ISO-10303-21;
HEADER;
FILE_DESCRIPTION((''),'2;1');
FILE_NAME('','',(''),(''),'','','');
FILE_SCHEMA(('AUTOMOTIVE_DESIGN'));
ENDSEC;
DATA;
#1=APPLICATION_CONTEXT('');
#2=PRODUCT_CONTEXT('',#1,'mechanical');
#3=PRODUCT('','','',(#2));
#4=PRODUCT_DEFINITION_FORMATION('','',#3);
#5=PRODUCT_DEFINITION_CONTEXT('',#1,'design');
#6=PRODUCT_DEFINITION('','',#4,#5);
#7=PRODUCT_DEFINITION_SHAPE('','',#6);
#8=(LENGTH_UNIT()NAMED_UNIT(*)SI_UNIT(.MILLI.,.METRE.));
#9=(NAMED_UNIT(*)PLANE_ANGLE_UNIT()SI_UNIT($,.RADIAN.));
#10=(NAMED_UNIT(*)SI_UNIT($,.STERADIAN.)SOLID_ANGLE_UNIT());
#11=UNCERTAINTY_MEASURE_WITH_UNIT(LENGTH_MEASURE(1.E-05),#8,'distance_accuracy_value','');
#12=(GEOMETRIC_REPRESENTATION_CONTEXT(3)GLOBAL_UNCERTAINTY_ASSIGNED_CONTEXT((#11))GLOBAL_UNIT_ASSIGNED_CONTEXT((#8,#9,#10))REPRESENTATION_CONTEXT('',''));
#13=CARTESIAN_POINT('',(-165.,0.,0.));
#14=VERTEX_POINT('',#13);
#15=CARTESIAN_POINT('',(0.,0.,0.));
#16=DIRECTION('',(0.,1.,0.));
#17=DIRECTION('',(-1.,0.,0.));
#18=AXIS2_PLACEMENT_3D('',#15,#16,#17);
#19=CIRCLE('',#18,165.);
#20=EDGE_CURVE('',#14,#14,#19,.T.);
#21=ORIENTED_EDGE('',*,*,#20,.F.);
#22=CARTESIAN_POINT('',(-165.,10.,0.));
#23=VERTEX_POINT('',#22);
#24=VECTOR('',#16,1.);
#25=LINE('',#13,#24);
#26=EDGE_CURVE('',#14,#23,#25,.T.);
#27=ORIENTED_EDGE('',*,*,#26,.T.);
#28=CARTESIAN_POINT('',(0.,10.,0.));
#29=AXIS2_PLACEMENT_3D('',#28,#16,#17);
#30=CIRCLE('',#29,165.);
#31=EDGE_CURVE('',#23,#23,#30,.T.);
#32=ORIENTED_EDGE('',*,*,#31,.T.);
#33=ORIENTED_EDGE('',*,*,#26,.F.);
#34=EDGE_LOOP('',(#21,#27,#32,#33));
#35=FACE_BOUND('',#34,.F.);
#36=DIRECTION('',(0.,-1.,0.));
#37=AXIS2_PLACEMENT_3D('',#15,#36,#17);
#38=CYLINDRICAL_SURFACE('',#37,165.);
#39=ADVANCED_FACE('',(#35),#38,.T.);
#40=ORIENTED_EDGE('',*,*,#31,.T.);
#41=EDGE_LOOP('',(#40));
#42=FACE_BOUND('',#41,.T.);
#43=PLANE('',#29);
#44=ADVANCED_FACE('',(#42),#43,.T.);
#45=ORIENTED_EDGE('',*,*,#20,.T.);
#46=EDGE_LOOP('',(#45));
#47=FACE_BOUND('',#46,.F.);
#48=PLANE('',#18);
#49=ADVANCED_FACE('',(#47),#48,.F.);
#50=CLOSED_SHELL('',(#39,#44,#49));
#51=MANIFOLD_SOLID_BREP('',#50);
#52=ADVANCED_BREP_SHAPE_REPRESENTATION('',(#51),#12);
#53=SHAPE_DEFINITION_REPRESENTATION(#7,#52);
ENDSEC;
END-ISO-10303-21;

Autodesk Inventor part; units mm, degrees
ref_plane "YZ Plane" through (0, 0, 0) normal (1, 0, 0) x (0, 1, 0)
ref_plane "XZ Plane" through (0, 0, 0) normal (0, 1, 0) x (-1, 0, 0)
ref_plane "XY Plane" through (0, 0, 0) normal (0, 0, 1) x (1, 0, 0)
sketch "Sketch1" plane through (0, 0, 0) normal (0, 1, 0) x (-1, 0, 0)
  circle A0 centre (0, 0) radius 165
  dimension "d0" = 330
extrude "Extrusion1" add sketch "Sketch1" along normal blind 10
sketch "Sketch2" plane through (0, 10, 0) normal (0, 1, 0) x (1, 0, 0)
  point P0 (0, 0)
sketch "Sketch3" plane through (0, 10, 0) normal (0, 1, 0) x (1, 0, 0)
  point P0 (0, 0)
properties part number "Main_Base"
